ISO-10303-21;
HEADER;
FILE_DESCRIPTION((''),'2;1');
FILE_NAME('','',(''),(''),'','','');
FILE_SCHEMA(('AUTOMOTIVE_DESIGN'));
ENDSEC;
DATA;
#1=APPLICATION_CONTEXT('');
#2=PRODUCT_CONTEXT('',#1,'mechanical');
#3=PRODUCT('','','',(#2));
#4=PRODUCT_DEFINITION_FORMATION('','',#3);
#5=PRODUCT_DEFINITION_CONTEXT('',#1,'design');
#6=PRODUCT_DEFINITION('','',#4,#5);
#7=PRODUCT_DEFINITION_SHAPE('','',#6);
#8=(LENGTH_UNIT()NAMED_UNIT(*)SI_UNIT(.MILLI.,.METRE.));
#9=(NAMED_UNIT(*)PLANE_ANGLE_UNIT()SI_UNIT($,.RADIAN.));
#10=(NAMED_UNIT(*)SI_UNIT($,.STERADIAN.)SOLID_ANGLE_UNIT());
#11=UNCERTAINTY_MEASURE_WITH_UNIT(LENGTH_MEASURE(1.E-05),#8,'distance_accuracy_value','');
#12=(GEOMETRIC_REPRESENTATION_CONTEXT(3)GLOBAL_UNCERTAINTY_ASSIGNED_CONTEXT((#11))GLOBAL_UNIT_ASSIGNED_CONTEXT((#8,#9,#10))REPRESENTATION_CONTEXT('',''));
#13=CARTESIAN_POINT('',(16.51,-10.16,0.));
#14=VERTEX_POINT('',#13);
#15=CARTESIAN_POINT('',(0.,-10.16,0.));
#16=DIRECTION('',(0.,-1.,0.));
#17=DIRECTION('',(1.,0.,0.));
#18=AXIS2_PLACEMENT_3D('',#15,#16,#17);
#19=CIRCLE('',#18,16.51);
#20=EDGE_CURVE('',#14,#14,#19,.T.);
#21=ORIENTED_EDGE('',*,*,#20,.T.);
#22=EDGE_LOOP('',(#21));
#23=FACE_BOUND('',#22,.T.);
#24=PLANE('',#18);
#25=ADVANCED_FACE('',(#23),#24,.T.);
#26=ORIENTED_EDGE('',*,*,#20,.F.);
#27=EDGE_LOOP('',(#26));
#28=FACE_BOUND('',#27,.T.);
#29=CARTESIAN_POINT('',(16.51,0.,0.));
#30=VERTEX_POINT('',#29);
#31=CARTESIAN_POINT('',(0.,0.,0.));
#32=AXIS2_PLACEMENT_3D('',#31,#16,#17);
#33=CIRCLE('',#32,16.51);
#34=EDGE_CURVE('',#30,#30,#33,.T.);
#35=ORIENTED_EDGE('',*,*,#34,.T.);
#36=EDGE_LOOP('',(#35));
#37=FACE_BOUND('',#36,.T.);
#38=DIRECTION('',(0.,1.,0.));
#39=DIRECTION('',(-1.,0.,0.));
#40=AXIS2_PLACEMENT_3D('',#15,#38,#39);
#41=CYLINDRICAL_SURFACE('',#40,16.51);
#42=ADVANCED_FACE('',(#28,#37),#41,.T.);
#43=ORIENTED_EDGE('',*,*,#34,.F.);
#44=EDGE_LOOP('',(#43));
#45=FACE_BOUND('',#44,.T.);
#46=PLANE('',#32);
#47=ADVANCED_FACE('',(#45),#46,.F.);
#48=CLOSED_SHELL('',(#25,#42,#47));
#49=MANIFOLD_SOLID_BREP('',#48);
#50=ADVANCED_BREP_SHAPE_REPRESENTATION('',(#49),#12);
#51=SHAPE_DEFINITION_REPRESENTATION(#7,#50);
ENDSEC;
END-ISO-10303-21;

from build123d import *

# Parameters (mm, degrees)
CROQUIS1_R                   = 16.51
SALIENTE_EXTRUIR1_DEPTH      = 10.16
CORPS_D_PLACER_COPIER1_ANGLE = 90


with BuildPart() as part:
    # Croquis1 → Saliente-Extruir1 (new body)
    with BuildSketch(Plane.XY):
        Circle(CROQUIS1_R)
    extrude(amount=SALIENTE_EXTRUIR1_DEPTH)


with BuildPart() as part_1:
    # Corps-Déplacer/Copier1: moved
    add(part.part.rotate(Axis((0, 0, 0), (1, 0, 0)), CORPS_D_PLACER_COPIER1_ANGLE))


solid = part_1.part
